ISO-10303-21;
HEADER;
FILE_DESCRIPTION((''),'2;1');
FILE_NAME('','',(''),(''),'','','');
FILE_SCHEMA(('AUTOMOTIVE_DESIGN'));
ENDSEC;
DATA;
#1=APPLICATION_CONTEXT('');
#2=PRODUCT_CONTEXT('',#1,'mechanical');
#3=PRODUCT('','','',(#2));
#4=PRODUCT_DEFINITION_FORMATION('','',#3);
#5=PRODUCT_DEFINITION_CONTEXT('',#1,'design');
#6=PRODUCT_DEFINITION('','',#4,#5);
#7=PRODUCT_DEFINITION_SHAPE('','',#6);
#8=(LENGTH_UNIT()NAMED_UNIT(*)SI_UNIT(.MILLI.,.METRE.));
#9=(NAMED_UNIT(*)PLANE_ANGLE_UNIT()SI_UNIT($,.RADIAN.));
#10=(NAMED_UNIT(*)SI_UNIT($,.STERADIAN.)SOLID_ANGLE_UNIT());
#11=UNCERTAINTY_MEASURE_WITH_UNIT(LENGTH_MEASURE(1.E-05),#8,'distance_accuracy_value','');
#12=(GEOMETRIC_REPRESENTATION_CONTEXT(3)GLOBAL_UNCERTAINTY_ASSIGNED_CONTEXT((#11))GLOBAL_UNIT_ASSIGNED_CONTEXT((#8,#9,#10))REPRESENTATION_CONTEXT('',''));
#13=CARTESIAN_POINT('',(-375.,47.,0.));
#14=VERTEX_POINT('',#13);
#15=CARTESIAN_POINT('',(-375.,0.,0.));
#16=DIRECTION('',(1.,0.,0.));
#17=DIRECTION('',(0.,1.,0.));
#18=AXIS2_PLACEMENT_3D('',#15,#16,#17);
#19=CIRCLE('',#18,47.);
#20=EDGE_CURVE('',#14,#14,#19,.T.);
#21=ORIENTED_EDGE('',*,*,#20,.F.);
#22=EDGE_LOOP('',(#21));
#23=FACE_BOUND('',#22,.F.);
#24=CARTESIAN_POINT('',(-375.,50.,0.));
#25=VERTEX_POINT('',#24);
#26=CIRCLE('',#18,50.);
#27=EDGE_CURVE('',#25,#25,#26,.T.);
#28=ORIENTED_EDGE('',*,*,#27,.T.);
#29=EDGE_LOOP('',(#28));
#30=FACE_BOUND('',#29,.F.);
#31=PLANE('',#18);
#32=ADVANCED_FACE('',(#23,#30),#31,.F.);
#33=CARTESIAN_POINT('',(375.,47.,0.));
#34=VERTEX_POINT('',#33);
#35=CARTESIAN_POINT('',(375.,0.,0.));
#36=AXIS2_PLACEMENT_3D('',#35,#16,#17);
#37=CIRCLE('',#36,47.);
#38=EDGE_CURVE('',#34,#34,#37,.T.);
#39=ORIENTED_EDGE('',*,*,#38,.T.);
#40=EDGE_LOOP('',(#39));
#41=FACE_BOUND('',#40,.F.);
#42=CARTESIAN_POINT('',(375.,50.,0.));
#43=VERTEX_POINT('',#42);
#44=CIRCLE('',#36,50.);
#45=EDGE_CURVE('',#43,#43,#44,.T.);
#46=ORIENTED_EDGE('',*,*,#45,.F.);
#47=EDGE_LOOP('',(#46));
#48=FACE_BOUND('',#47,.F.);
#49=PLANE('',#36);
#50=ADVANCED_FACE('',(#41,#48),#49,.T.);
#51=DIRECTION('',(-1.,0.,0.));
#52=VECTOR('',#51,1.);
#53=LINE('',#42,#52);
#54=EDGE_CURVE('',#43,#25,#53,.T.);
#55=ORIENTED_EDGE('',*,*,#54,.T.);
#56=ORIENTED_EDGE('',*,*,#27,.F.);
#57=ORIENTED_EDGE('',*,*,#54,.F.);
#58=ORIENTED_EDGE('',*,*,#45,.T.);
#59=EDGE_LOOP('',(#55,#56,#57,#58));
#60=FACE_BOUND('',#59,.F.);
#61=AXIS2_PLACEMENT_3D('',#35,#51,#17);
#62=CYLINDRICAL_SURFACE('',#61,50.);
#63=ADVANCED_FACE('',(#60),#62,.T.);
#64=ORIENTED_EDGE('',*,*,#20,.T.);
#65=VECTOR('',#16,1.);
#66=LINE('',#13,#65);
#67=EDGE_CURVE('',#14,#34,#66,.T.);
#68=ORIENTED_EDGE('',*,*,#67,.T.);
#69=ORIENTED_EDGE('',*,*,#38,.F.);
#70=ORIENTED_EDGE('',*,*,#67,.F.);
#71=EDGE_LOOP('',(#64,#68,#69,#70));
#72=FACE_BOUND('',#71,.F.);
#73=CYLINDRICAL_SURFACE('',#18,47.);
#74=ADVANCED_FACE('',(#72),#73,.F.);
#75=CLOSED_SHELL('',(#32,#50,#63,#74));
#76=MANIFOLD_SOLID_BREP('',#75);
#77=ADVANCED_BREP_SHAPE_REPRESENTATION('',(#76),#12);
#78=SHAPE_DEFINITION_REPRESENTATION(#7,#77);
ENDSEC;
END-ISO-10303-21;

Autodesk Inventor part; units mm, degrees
ref_plane "YZ Plane" through (0, 0, 0) normal (1, 0, 0) x (0, 1, 0)
ref_plane "XZ Plane" through (0, 0, 0) normal (0, 1, 0) x (-1, 0, 0)
ref_plane "XY Plane" through (0, 0, 0) normal (0, 0, 1) x (1, 0, 0)
sketch "Sketch1" plane through (0, 0, 0) normal (0, 0, 1) x (1, 0, 0)
  line L0 (-375, 47) -> (375, 47)
  line L1 (375, 47) -> (375, 50)
  line L2 (375, 50) -> (-375, 50)
  line L3 (-375, 50) -> (-375, 47)
  line L4 (-375, 47) -> (375, 50) construction
  line L5 (375, 47) -> (-375, 50) construction
  line L6 (-525, 0) -> (525, 0) projected
  point P0 (0, 0)
  point P1 (0, 48.5)
  point P2 (0, 47)
  dimension "d0" = 750
  dimension "d1" = 3
  dimension "d2" = 50
revolve "Revolution1" add sketch "Sketch1" angle 360 about axis through (-10, 0, 0) along (1, 0, 0)
properties part number "tubo_0002_0001" material "Thermoplastic Resin"
